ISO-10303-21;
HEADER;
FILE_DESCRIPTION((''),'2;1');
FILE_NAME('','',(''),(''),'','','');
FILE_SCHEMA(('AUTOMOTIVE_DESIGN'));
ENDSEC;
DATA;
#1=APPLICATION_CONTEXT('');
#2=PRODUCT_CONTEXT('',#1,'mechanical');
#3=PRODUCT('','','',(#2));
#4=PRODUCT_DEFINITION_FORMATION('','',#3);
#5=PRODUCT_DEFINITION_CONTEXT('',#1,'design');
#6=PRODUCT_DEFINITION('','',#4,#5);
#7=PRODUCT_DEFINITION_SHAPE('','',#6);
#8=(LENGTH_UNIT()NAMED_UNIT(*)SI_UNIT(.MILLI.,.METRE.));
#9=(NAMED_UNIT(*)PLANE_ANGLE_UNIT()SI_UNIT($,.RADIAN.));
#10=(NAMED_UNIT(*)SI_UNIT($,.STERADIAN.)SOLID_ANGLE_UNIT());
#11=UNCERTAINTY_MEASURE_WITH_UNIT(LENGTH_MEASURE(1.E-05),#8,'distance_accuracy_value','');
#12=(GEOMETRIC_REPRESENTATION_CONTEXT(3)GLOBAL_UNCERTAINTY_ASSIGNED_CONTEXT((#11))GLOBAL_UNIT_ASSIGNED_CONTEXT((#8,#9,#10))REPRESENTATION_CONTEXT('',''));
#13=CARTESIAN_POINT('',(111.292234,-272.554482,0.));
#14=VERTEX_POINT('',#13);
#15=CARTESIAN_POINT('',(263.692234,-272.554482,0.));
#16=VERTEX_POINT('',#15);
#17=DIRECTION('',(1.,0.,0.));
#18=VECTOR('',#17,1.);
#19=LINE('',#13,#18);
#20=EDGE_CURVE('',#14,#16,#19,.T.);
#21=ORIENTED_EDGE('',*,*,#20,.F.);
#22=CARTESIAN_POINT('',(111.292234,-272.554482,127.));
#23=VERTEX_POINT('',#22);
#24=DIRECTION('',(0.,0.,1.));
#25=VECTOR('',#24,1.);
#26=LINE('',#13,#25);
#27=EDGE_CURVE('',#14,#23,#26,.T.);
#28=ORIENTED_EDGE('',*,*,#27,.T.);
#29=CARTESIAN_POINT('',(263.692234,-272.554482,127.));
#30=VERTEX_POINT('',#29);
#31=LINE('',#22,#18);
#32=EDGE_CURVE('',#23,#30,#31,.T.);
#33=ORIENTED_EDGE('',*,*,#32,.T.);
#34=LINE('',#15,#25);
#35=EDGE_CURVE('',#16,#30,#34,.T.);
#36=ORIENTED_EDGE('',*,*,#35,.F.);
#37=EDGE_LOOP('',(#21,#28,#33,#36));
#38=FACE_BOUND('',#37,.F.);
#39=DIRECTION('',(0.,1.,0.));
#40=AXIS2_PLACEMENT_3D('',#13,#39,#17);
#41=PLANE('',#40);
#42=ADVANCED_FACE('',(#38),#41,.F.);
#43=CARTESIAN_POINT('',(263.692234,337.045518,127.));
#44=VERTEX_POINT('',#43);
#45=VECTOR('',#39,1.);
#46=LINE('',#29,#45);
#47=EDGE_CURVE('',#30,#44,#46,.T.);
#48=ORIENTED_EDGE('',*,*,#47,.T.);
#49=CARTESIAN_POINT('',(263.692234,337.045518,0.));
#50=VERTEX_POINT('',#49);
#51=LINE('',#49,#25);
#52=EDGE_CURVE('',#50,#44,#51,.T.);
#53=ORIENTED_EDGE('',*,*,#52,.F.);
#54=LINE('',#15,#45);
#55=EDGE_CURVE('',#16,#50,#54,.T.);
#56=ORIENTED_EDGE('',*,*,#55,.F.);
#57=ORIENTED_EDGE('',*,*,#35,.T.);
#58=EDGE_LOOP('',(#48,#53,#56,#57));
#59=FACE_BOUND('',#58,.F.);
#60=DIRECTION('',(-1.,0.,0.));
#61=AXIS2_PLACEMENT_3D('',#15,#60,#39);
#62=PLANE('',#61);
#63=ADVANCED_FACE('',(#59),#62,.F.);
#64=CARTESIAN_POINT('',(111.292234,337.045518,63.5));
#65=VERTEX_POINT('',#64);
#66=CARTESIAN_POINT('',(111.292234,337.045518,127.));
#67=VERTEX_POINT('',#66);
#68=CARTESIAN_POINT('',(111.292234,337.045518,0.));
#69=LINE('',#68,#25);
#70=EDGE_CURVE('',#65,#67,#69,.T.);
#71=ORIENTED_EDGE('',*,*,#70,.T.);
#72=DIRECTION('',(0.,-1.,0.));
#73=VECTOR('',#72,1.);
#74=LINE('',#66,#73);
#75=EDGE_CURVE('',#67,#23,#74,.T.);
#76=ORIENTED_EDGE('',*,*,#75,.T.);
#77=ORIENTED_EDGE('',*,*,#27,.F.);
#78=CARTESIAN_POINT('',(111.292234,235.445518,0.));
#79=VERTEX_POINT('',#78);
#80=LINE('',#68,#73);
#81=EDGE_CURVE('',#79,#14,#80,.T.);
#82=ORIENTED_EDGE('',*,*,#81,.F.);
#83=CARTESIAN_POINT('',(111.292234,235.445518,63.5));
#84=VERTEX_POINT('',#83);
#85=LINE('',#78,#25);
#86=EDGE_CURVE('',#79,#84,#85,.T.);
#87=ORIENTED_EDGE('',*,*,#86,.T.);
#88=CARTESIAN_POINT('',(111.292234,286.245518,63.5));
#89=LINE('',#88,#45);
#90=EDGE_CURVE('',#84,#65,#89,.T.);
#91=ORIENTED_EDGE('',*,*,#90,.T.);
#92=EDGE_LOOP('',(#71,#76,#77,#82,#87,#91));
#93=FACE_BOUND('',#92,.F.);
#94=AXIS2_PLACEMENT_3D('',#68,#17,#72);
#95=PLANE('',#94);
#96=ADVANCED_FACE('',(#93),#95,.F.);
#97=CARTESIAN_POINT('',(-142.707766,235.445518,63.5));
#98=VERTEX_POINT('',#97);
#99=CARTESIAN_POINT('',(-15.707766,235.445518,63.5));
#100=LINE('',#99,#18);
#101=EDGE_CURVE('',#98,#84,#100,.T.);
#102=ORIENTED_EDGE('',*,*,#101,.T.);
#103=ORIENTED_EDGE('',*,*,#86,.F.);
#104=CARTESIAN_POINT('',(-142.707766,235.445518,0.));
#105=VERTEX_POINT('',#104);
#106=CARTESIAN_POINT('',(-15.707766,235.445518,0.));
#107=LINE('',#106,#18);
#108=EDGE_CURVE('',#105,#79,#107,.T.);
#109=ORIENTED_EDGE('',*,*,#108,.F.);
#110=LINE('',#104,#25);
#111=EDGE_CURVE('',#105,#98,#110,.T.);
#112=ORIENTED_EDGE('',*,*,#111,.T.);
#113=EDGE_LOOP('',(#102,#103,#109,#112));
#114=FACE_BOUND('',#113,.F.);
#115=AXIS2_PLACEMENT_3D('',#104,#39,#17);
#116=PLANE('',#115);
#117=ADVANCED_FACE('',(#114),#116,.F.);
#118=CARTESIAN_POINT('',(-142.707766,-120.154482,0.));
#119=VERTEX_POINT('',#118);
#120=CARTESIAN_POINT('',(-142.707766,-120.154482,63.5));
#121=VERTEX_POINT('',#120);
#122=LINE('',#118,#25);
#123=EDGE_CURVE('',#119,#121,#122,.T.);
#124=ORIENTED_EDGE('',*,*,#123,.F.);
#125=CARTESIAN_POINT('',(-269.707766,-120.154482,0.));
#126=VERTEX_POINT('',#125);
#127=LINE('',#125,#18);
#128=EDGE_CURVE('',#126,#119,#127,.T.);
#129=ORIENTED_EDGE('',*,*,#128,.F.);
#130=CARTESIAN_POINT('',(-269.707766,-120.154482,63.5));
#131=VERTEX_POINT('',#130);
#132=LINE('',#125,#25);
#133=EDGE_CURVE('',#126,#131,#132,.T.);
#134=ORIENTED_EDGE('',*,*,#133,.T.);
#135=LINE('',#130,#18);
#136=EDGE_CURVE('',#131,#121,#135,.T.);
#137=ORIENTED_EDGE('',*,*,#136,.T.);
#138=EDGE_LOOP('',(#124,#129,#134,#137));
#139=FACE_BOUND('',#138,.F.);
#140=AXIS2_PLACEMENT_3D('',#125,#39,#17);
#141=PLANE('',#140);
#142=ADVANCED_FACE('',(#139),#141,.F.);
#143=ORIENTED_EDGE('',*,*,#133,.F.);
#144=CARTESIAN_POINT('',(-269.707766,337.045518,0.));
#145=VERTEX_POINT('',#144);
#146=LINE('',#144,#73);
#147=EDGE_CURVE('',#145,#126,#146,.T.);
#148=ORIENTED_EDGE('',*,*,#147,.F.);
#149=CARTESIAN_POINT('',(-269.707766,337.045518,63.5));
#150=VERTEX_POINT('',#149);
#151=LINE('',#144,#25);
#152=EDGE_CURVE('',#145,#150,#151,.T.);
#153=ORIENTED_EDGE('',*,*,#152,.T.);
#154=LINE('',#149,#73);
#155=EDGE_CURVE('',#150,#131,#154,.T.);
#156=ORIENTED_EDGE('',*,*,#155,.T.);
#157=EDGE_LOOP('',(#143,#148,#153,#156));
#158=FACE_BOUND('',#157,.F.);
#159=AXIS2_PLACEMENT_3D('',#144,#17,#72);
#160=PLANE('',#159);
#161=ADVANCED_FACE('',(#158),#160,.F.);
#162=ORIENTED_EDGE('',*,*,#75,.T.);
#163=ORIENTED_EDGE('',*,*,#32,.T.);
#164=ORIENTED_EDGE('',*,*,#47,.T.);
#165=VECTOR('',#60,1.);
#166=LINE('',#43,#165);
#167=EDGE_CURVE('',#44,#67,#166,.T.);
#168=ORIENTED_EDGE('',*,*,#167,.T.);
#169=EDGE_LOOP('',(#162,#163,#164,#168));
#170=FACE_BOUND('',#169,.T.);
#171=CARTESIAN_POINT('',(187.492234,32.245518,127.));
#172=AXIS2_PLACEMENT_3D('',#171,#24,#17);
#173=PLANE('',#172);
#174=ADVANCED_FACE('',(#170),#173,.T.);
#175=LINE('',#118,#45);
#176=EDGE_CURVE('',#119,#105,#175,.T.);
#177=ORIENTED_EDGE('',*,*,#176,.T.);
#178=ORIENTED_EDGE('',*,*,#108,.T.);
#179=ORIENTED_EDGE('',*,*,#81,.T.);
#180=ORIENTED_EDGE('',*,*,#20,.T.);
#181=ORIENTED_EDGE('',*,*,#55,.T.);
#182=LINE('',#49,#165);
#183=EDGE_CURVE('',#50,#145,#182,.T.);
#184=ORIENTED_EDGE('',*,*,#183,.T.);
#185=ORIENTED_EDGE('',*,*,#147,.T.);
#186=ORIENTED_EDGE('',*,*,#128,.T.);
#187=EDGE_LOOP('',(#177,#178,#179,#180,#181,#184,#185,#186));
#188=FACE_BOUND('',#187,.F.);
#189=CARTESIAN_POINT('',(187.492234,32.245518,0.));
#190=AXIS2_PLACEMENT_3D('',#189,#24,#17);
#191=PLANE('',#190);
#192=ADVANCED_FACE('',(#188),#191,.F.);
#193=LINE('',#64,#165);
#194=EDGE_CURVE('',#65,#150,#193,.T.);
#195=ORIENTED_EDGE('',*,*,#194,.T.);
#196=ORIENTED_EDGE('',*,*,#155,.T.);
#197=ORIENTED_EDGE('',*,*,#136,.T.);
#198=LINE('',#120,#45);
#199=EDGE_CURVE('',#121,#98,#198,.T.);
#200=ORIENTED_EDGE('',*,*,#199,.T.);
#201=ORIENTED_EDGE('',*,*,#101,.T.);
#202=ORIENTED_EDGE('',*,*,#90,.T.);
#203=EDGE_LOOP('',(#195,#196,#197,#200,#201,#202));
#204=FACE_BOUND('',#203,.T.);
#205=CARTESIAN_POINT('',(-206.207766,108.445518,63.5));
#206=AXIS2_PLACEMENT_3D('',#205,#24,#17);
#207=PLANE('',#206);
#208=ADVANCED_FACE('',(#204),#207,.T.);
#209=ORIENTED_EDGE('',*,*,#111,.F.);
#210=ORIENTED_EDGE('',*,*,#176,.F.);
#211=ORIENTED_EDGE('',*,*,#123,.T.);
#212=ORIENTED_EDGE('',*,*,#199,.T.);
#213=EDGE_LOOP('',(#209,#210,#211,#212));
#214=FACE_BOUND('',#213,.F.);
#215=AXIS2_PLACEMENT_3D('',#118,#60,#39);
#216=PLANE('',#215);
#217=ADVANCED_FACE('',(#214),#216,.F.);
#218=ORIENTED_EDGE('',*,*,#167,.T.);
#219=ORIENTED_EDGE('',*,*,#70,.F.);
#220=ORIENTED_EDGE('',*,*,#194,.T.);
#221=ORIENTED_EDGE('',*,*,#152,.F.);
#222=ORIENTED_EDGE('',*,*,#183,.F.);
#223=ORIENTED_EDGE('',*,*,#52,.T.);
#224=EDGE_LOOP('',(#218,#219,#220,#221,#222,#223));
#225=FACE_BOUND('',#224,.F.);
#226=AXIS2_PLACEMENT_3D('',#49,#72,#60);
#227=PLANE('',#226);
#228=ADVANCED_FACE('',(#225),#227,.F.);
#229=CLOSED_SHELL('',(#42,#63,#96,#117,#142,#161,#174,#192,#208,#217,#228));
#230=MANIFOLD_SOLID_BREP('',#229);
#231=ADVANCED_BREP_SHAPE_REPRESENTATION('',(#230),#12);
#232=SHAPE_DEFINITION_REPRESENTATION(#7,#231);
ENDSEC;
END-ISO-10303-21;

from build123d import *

# Parameters (mm, degrees)
F0_W     = 254
F0_H     = 101.6
F1_DEPTH = 63.5
F2_DEPTH = 127


with BuildPart() as f1:
    # F0 (on Top) → F1 (new body)
    with BuildSketch(Plane.XY):
        Polygon((-142.707766, 235.445518), (-142.707766, 337.045518), (-269.707766, 337.045518), (-269.707766, -120.154482), (-142.707766, -120.154482), align=None)
        with Locations((-15.707766, 286.245518)):
            Rectangle(F0_W, F0_H)
    extrude(amount=F1_DEPTH)

    # F0 (on Top) → F2 (join)
    with BuildSketch(Plane.XY):
        Polygon((263.692234, 337.045518), (111.292234, 337.045518), (111.292234, 235.445518), (111.292234, -272.554482), (263.692234, -272.554482), align=None)
    extrude(amount=F2_DEPTH)


solid = f1.part
